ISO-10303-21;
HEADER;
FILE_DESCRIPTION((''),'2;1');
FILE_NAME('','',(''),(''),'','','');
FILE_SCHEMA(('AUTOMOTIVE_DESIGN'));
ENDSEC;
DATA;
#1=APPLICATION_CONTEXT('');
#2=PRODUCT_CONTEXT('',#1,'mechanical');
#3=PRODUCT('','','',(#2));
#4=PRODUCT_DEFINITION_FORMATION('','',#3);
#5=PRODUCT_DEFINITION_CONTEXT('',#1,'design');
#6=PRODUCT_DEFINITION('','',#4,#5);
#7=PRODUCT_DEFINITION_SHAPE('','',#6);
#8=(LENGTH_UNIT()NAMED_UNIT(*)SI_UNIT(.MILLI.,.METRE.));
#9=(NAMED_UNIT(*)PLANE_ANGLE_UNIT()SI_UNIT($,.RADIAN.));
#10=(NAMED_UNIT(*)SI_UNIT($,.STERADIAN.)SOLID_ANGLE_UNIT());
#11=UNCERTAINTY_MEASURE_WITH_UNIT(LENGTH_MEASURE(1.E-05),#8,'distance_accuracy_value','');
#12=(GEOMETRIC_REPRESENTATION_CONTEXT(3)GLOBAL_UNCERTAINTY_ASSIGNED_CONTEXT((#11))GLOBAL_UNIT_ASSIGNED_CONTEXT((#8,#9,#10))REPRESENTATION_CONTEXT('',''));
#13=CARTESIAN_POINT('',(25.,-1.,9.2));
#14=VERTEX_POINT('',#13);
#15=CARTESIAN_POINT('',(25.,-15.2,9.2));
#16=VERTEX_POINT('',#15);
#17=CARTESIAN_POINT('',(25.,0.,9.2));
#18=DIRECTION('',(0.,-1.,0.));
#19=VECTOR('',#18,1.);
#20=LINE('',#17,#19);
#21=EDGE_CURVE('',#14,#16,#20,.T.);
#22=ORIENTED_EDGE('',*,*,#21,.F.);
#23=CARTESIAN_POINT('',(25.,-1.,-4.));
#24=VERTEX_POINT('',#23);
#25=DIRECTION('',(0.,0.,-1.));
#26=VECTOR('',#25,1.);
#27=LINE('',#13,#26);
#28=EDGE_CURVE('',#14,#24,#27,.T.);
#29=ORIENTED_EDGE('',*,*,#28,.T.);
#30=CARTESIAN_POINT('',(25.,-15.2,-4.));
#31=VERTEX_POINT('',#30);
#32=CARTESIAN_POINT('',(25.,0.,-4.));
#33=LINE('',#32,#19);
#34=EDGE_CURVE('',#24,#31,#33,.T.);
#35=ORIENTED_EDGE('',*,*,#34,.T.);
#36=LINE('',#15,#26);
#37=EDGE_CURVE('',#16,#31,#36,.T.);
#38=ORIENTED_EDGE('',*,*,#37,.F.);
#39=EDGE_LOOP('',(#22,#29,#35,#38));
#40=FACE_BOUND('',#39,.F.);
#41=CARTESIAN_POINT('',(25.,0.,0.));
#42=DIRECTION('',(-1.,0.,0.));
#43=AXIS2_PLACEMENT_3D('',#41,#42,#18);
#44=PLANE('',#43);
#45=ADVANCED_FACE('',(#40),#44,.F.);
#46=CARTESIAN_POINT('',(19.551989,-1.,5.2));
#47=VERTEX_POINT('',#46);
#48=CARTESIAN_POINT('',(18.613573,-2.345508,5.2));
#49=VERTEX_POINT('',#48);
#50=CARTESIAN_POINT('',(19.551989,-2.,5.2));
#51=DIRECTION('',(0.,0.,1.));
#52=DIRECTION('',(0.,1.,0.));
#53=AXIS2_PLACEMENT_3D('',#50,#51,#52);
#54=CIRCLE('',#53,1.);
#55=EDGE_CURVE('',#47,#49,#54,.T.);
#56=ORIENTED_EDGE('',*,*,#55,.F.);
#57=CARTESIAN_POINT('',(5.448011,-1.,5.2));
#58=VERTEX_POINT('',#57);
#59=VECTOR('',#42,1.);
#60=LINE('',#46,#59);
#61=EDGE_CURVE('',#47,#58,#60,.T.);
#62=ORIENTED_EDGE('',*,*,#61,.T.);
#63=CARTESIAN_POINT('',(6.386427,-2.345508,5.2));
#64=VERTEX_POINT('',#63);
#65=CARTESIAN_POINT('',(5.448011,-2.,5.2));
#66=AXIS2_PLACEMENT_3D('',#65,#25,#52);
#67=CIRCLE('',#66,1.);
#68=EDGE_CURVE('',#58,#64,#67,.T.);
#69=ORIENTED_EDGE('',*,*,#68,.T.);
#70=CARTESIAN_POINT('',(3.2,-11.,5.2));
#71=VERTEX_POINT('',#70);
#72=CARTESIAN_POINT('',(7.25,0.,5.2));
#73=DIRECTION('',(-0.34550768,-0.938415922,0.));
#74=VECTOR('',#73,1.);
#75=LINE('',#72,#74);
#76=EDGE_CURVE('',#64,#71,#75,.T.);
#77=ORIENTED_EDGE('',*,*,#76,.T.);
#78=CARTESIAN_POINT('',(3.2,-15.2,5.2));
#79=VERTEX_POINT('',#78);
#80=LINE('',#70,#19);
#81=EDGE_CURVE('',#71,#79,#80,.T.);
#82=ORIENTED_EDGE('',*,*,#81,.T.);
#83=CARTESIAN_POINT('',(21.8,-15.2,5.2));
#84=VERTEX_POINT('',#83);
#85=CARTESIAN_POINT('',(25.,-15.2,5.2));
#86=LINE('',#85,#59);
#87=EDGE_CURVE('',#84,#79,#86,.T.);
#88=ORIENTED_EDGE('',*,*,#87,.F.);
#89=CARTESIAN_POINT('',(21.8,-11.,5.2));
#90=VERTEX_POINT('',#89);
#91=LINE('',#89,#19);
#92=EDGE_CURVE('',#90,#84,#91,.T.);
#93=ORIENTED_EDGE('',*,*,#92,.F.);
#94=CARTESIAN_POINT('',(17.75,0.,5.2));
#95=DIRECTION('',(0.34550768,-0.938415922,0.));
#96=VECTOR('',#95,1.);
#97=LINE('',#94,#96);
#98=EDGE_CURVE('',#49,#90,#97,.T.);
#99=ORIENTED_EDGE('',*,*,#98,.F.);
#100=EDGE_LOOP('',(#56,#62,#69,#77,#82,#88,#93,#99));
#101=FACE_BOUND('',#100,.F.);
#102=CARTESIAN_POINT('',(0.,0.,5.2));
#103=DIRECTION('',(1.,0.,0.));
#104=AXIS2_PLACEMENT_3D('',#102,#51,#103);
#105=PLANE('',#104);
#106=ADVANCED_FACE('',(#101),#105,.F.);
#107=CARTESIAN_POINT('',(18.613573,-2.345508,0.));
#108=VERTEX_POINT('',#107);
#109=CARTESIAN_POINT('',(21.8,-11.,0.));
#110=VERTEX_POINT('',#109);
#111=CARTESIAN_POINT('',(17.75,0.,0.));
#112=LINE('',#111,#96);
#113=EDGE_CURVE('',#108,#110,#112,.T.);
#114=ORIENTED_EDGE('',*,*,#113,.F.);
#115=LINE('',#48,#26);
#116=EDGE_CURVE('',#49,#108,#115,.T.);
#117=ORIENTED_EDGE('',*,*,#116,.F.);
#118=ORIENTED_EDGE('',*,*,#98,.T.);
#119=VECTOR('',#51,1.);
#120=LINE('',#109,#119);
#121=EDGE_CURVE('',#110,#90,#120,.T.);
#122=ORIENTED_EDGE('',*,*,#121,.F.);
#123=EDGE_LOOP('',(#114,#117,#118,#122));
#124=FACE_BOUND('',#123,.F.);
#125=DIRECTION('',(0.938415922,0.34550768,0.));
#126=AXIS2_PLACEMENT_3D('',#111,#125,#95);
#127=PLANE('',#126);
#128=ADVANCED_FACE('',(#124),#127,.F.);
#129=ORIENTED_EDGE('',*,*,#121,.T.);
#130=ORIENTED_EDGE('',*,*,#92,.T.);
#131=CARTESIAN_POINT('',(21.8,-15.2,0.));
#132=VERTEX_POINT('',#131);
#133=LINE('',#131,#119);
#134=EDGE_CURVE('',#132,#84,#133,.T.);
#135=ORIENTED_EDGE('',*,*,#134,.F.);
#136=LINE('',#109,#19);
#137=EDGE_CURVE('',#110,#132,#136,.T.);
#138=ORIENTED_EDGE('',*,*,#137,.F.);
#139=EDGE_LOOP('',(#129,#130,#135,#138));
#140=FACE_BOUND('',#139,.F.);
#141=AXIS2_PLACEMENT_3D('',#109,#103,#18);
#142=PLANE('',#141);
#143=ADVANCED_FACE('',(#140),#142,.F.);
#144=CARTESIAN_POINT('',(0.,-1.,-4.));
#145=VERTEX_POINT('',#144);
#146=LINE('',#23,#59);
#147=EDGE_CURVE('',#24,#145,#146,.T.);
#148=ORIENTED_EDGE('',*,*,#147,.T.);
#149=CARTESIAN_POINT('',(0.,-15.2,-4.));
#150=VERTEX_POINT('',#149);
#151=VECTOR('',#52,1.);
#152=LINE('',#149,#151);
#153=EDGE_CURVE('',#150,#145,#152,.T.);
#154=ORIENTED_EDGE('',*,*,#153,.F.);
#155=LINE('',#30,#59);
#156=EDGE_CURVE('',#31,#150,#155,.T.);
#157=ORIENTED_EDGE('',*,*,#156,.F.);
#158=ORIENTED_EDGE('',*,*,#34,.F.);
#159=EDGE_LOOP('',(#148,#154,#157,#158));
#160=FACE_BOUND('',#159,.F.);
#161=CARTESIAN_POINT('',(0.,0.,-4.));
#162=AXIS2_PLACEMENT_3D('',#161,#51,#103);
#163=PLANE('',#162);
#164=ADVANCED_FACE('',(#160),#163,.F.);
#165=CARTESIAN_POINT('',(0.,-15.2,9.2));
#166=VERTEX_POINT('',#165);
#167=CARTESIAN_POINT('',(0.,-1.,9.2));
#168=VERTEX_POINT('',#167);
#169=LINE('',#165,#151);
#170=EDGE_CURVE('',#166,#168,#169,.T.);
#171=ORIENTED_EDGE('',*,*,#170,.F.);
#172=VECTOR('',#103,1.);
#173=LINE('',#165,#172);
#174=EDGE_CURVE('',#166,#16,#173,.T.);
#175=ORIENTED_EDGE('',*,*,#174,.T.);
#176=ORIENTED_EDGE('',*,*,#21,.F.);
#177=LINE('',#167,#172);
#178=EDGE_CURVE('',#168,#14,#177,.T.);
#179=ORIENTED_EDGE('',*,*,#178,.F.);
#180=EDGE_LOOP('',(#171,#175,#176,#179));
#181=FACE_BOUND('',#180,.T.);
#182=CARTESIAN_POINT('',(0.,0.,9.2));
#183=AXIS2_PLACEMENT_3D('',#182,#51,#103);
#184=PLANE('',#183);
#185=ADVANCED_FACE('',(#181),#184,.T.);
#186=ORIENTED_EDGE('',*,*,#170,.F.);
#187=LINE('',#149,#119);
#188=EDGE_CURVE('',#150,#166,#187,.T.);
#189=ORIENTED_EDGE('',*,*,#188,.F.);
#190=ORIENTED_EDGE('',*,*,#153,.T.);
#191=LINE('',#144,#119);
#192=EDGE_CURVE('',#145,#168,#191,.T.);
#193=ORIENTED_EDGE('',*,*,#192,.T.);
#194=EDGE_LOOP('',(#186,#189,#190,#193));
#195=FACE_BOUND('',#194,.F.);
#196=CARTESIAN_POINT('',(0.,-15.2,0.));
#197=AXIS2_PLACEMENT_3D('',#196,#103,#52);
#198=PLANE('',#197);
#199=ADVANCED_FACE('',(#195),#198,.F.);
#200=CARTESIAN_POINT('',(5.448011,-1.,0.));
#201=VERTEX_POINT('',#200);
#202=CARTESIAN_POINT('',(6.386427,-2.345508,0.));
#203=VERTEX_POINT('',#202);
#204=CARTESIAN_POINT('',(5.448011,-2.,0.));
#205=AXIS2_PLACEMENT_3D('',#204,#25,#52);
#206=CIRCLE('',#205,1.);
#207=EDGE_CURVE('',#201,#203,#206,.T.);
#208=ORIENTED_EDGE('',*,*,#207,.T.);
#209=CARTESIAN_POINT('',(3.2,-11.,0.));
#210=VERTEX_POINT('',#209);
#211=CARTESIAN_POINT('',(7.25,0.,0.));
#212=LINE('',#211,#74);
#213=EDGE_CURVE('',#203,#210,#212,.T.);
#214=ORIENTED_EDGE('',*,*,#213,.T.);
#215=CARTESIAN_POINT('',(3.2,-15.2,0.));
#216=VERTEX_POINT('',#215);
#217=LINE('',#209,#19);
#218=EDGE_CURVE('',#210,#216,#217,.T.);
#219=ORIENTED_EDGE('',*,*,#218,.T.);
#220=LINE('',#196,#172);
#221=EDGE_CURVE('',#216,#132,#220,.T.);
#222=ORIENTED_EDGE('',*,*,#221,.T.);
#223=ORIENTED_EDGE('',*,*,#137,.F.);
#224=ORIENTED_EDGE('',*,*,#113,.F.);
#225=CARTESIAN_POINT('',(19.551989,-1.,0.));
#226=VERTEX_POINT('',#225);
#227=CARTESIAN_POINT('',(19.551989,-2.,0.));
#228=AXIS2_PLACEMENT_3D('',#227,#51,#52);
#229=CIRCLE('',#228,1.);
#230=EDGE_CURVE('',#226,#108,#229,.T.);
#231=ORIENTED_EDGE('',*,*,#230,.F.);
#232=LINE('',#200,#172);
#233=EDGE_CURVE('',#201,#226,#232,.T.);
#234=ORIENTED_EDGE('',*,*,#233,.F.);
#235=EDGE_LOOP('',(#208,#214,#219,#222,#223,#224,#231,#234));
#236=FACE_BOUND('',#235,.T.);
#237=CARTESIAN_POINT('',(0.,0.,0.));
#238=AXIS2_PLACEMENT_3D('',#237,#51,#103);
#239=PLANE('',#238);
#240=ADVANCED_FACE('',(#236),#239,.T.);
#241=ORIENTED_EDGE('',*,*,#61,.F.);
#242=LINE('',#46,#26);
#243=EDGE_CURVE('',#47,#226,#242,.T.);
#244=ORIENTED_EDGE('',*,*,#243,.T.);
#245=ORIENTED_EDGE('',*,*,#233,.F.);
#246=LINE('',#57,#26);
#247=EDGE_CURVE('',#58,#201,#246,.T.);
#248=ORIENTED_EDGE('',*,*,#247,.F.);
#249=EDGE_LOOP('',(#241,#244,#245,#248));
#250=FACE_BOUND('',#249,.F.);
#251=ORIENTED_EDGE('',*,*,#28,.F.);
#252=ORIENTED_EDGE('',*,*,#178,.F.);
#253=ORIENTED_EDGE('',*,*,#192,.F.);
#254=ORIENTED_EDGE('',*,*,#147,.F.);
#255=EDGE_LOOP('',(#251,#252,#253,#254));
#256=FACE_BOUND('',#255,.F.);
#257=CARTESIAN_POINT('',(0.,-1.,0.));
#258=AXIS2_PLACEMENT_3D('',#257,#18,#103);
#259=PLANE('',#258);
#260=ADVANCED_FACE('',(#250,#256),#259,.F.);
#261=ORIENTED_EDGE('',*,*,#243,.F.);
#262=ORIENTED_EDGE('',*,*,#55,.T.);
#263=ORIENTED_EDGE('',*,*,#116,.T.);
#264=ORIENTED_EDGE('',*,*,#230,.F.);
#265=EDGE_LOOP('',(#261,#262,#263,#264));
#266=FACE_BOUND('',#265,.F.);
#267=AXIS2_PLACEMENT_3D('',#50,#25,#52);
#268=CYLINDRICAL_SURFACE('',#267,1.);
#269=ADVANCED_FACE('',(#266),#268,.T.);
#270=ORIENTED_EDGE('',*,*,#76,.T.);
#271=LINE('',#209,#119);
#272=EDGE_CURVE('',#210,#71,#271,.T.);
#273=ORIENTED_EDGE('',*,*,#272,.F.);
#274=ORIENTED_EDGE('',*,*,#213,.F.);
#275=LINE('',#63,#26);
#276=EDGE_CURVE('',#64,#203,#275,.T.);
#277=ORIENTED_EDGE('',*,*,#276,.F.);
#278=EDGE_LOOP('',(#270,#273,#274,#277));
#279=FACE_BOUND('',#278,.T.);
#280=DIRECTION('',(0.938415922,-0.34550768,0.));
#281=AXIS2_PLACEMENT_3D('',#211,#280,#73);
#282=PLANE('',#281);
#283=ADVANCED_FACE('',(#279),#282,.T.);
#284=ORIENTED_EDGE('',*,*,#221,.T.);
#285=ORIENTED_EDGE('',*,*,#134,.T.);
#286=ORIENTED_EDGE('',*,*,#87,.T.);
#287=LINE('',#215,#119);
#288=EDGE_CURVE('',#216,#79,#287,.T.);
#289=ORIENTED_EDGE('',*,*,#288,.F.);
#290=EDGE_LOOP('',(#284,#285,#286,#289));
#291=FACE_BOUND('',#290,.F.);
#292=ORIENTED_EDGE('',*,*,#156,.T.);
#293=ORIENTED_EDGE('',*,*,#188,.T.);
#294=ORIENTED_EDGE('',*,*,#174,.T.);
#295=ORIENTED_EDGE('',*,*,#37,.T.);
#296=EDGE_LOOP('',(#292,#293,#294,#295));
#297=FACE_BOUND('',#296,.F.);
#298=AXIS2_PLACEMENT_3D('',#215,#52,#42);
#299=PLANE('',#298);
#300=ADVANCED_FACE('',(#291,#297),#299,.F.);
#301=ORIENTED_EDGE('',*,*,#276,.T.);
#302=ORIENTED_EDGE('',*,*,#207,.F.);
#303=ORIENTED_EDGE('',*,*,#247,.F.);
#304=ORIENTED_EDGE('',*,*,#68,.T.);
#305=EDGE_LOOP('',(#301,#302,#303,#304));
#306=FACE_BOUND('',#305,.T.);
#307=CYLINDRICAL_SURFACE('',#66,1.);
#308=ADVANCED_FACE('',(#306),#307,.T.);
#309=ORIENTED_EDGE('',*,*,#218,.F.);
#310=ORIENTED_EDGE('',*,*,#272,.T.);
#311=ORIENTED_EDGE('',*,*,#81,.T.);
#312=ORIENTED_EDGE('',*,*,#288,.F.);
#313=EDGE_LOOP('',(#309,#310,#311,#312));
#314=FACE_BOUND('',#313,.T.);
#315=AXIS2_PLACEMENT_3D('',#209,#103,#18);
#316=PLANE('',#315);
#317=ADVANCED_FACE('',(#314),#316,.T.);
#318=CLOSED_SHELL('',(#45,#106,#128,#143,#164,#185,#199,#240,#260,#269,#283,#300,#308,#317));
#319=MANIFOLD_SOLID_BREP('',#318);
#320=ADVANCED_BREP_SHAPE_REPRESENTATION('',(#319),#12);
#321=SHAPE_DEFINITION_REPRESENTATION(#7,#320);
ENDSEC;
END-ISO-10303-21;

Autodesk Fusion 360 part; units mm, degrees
sketch "Sketch1" plane through (0, 0, 0) normal (0, 0, 1) x (1, 0, 0)
  line L0 (0, 0) -> (25, 0)
  line L1 (25, 0) -> (25, -15.2)
  line L2 (25, -15.2) -> (0, -15.2)
  line L3 (0, -15.2) -> (0, 0)
  line L4 (7.25, 0) -> (3.2, -11)
  line L5 (17.75, 0) -> (21.8, -11)
  line L6 (3.2, -11) -> (3.2, -15.2)
  line L7 (21.8, -11) -> (21.8, -15.2)
  line L8 (3.2, -15.2) -> (21.8, -15.2) construction
  line L9 (12.5, -8.3) -> (25, -8.3) construction
  line L10 (12.5, -8.3) -> (0, -8.3) construction
  line L11 (0, 0) -> (7.25, 0) construction
  line L12 (17.75, 0) -> (25, 0) construction
  line L13 (36.4201, 0) -> (32.3701, -11.4) construction
  line L14 (32.3701, -11.4) -> (32.3701, -15.2) construction
  line L15 (32.3701, -15.2) -> (50.1701, -15.2) construction
  line L16 (50.1701, -15.2) -> (50.1701, -11.4) construction
  line L17 (50.1701, -11.4) -> (46.1201, 0) construction
  line L18 (36.4201, 0) -> (46.1201, 0) construction
  dimension "d1" = 25
  dimension "d2" = 15.2
  dimension "d3" = 10.5
  dimension "d5" = 18.6
  dimension "d10" = 11
  dimension "d14" = 8.3
  dimension "d26" = 3.8
  dimension "d27" = 17.8
  dimension "d28" = 9.7
  dimension "d29" = 15.2
extrude "Extrude1" add sketch "Sketch1" against normal blind 4 makes body 1
extrude "Extrude2" add sketch "Sketch1" along normal blind 5.2 contours L0 L2 L3 L4 L6 | L0 L1 L2 L5 L7 bodies 1
extrude "Extrude3" add sketch "Sketch1" along normal blind 4 from surface at 5.2 separate body makes body 2
combine "Combine1" operation add target body 1 tool bodies 2
extrude "Extrude5" cut 1 faces at (22.5833, 0, 1.7333) along direction (0, -1, 0) blind 1 on bodies 1 bodies 1
fillet "Fillet2" radius 1 2 edges at (6.8818, -1, 2.6) (18.1182, -1, 2.6) on bodies 1
equation "d3 = 9.7 mm + 0.8 mm"
equation "d5 = 17.8 mm + 0.8 mm"
equation "d14 = 8.4 mm - 0.1 mm"
equation "d17 = 5 mm + 0.2 mm"
